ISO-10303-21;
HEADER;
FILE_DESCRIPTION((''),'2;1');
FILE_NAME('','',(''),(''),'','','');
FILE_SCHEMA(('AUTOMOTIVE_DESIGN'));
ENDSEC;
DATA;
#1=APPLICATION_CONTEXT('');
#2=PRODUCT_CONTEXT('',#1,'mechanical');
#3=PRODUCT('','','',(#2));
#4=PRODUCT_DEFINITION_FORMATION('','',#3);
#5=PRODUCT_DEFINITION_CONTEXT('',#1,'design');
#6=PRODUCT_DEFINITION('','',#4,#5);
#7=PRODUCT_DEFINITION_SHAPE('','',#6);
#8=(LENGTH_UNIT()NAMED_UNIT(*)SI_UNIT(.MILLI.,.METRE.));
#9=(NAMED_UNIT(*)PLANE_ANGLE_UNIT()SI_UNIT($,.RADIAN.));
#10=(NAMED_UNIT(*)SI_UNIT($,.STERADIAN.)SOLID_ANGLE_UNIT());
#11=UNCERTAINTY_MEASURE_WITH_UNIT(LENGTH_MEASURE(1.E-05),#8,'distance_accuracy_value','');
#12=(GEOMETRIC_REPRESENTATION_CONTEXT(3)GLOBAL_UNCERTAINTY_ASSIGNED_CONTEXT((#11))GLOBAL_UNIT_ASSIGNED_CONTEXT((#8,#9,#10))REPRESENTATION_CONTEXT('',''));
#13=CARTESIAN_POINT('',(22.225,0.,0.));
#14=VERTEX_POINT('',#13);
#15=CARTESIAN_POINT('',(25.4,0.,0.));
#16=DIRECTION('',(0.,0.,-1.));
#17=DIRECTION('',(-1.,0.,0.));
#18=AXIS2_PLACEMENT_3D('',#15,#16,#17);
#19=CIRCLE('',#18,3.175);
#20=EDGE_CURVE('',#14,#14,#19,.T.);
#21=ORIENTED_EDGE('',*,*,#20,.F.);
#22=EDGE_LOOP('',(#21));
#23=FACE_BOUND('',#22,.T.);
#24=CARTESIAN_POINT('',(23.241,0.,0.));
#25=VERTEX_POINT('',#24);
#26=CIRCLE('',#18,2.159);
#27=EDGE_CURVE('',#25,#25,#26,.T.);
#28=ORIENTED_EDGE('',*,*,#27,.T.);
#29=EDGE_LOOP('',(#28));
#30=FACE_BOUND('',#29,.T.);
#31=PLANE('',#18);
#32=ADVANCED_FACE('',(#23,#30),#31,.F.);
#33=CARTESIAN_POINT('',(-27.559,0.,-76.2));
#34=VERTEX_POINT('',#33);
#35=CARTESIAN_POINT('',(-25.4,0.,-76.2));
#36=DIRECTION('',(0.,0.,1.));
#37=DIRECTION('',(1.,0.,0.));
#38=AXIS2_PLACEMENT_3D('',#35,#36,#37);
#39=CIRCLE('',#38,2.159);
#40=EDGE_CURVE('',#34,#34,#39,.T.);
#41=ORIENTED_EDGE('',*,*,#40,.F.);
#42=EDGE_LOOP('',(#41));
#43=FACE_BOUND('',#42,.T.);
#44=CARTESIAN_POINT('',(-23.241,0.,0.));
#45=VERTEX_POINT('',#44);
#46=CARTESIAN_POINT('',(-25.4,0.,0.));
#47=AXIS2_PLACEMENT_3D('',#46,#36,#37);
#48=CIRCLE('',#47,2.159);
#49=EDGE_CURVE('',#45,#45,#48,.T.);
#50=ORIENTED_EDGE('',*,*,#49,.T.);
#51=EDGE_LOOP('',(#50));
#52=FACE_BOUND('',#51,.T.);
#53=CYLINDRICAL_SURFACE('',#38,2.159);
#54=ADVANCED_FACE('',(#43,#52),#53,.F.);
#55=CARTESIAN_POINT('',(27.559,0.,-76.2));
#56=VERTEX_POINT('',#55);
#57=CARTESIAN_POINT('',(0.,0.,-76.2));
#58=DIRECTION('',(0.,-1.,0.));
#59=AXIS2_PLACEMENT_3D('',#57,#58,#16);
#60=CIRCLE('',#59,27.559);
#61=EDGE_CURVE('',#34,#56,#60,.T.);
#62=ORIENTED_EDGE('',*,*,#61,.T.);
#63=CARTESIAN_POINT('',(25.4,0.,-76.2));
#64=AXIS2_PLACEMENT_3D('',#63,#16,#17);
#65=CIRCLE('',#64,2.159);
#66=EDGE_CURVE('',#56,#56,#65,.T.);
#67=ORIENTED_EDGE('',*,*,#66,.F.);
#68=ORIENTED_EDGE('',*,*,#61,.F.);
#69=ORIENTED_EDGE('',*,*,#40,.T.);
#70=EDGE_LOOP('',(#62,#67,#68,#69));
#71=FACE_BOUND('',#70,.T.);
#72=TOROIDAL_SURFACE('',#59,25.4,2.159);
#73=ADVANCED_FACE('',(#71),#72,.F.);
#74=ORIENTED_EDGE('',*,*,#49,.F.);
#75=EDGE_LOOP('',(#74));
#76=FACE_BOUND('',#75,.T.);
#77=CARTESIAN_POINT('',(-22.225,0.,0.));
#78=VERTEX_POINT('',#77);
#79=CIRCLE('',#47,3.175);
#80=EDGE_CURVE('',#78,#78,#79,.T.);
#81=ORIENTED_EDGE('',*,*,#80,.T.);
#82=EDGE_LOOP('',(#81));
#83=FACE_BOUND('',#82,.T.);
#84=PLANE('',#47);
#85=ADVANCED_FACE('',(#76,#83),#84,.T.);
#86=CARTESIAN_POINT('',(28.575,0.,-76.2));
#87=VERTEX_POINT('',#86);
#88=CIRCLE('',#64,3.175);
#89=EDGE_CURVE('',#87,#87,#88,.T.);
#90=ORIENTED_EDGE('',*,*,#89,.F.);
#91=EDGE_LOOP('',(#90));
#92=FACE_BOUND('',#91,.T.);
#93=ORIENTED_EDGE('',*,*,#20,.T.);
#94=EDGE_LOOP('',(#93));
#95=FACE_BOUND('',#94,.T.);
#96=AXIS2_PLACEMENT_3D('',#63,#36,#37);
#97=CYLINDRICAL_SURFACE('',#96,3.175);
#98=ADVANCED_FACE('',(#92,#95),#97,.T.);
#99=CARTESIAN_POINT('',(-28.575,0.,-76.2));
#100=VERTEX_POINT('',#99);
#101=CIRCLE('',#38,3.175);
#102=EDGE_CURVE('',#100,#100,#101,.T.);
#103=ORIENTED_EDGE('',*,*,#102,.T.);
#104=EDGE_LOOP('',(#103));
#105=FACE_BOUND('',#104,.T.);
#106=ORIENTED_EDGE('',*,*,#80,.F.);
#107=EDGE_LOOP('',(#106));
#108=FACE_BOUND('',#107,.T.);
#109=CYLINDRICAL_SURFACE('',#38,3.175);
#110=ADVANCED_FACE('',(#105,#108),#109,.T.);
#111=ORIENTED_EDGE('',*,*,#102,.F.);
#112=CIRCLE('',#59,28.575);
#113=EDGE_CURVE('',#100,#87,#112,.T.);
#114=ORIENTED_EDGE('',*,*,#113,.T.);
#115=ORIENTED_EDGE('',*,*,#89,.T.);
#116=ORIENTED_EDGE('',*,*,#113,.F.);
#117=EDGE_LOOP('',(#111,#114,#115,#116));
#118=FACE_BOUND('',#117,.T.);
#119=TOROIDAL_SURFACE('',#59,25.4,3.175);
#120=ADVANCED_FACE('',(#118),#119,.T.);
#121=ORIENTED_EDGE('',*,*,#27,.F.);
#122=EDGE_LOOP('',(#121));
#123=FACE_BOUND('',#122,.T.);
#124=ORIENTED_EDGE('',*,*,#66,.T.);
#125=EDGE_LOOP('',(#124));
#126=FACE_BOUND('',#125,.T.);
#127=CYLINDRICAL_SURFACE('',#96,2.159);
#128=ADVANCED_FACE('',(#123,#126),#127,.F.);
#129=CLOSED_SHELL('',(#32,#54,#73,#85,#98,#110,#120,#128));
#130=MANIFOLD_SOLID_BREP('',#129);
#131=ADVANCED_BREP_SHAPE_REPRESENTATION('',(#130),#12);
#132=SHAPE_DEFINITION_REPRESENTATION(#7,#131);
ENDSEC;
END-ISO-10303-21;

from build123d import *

# Parameters (mm, degrees)
SKETCH4_R   = 3.175
SKETCH4_R_2 = 2.159


with BuildPart() as part:
    # Sweep1: sweep along a path in Sketch3
    with BuildLine(Plane(origin=(0, 0, 0), x_dir=(1, 0, 0), z_dir=(0, 1, 0))) as sweep1_path:
        Line((-25.4, 0), (-25.4, 76.2))
        ThreePointArc((-25.4, 76.2), (0, 101.6), (25.4, 76.2))
        Line((25.4, 76.2), (25.4, 0))
    # Sketch4 → Sweep1 (sweep)
    with BuildSketch(Plane.XY):
        with Locations((-25.4, 0)):
            Circle(SKETCH4_R)
        with Locations((-25.4, 0)):
            Circle(SKETCH4_R_2, mode=Mode.SUBTRACT)
    sweep(path=sweep1_path.line)


solid = part.part
